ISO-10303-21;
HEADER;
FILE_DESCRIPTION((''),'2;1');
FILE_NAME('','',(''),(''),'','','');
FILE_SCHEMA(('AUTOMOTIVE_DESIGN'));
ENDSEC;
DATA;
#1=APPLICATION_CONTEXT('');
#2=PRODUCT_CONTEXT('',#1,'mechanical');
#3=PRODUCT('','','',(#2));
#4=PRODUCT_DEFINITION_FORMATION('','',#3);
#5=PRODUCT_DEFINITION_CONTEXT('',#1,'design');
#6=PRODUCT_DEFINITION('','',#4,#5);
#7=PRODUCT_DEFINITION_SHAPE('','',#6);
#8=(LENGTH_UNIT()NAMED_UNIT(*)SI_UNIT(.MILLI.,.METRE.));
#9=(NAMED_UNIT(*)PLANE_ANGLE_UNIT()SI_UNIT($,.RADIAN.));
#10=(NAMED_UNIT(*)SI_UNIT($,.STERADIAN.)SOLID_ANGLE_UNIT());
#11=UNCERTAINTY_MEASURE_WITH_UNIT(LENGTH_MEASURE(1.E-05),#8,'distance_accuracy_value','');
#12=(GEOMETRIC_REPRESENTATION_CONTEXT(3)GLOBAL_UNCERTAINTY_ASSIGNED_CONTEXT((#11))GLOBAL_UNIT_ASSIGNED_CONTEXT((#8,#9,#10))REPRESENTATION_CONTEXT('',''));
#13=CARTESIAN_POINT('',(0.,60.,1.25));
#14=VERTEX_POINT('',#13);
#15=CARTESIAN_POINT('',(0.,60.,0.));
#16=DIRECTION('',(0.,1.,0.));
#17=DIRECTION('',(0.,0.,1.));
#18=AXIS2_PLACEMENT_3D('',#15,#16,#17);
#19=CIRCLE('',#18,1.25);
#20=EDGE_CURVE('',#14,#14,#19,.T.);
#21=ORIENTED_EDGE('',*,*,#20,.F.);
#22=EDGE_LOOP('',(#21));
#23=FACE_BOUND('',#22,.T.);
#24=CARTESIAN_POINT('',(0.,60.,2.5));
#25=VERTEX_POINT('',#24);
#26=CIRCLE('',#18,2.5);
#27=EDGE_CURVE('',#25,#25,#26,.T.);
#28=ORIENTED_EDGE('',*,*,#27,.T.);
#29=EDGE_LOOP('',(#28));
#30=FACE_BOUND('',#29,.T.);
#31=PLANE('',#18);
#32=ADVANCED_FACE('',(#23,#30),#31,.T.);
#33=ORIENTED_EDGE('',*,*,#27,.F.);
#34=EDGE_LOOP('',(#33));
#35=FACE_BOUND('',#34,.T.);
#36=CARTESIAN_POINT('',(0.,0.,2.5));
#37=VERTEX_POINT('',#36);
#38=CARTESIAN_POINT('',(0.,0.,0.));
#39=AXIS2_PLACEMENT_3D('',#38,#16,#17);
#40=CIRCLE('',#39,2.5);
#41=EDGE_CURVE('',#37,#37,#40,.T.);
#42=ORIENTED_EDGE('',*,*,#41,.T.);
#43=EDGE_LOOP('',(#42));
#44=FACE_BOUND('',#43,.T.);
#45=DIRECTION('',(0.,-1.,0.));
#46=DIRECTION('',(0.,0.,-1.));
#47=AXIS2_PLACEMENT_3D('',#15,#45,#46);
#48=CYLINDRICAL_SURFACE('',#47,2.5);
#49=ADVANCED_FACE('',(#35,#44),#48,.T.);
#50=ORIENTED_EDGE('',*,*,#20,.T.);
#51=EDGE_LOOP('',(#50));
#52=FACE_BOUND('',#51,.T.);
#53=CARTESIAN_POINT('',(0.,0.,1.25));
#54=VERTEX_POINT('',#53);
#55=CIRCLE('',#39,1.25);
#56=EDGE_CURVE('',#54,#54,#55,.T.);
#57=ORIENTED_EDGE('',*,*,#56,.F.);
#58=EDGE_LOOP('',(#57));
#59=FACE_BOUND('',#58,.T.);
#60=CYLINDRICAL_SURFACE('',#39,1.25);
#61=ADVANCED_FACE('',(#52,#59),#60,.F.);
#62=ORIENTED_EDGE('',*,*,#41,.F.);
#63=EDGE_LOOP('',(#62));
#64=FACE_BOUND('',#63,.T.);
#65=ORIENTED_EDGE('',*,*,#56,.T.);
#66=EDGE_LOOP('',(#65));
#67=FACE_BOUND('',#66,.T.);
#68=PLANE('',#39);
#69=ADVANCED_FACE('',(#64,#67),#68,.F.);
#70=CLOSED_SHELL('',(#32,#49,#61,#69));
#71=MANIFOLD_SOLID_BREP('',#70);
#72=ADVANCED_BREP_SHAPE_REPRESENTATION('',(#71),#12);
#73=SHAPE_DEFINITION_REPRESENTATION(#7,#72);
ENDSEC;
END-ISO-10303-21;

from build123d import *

# Parameters (mm, degrees)
CROQUIS_BASE_R          = 2.5
SALIENTE_EXTRUIR1_DEPTH = 60
CROQUIS_BARRENO_R       = 1.25
CORTAR_EXTRUIR1_DEPTH   = 61.104076401


with BuildPart() as part:
    # Croquis base → Saliente-Extruir1 (new body)
    with BuildSketch(Plane(origin=(0, 0, 0), x_dir=(1, 0, 0), z_dir=(0, 1, 0))):
        with Locations(Location((0, 0, 0), (0, 0, 270))):
            Circle(CROQUIS_BASE_R)
    extrude(amount=SALIENTE_EXTRUIR1_DEPTH)

    # Croquis barreno → Cortar-Extruir1 (cut, through all)
    with BuildSketch(Plane(origin=(0, 60, 0), x_dir=(1, 0, 0), z_dir=(0, 1, 0))):
        with Locations(Location((0, 0, 0), (0, 0, 270))):
            Circle(CROQUIS_BARRENO_R)
    extrude(amount=-CORTAR_EXTRUIR1_DEPTH, mode=Mode.SUBTRACT)


solid = part.part
